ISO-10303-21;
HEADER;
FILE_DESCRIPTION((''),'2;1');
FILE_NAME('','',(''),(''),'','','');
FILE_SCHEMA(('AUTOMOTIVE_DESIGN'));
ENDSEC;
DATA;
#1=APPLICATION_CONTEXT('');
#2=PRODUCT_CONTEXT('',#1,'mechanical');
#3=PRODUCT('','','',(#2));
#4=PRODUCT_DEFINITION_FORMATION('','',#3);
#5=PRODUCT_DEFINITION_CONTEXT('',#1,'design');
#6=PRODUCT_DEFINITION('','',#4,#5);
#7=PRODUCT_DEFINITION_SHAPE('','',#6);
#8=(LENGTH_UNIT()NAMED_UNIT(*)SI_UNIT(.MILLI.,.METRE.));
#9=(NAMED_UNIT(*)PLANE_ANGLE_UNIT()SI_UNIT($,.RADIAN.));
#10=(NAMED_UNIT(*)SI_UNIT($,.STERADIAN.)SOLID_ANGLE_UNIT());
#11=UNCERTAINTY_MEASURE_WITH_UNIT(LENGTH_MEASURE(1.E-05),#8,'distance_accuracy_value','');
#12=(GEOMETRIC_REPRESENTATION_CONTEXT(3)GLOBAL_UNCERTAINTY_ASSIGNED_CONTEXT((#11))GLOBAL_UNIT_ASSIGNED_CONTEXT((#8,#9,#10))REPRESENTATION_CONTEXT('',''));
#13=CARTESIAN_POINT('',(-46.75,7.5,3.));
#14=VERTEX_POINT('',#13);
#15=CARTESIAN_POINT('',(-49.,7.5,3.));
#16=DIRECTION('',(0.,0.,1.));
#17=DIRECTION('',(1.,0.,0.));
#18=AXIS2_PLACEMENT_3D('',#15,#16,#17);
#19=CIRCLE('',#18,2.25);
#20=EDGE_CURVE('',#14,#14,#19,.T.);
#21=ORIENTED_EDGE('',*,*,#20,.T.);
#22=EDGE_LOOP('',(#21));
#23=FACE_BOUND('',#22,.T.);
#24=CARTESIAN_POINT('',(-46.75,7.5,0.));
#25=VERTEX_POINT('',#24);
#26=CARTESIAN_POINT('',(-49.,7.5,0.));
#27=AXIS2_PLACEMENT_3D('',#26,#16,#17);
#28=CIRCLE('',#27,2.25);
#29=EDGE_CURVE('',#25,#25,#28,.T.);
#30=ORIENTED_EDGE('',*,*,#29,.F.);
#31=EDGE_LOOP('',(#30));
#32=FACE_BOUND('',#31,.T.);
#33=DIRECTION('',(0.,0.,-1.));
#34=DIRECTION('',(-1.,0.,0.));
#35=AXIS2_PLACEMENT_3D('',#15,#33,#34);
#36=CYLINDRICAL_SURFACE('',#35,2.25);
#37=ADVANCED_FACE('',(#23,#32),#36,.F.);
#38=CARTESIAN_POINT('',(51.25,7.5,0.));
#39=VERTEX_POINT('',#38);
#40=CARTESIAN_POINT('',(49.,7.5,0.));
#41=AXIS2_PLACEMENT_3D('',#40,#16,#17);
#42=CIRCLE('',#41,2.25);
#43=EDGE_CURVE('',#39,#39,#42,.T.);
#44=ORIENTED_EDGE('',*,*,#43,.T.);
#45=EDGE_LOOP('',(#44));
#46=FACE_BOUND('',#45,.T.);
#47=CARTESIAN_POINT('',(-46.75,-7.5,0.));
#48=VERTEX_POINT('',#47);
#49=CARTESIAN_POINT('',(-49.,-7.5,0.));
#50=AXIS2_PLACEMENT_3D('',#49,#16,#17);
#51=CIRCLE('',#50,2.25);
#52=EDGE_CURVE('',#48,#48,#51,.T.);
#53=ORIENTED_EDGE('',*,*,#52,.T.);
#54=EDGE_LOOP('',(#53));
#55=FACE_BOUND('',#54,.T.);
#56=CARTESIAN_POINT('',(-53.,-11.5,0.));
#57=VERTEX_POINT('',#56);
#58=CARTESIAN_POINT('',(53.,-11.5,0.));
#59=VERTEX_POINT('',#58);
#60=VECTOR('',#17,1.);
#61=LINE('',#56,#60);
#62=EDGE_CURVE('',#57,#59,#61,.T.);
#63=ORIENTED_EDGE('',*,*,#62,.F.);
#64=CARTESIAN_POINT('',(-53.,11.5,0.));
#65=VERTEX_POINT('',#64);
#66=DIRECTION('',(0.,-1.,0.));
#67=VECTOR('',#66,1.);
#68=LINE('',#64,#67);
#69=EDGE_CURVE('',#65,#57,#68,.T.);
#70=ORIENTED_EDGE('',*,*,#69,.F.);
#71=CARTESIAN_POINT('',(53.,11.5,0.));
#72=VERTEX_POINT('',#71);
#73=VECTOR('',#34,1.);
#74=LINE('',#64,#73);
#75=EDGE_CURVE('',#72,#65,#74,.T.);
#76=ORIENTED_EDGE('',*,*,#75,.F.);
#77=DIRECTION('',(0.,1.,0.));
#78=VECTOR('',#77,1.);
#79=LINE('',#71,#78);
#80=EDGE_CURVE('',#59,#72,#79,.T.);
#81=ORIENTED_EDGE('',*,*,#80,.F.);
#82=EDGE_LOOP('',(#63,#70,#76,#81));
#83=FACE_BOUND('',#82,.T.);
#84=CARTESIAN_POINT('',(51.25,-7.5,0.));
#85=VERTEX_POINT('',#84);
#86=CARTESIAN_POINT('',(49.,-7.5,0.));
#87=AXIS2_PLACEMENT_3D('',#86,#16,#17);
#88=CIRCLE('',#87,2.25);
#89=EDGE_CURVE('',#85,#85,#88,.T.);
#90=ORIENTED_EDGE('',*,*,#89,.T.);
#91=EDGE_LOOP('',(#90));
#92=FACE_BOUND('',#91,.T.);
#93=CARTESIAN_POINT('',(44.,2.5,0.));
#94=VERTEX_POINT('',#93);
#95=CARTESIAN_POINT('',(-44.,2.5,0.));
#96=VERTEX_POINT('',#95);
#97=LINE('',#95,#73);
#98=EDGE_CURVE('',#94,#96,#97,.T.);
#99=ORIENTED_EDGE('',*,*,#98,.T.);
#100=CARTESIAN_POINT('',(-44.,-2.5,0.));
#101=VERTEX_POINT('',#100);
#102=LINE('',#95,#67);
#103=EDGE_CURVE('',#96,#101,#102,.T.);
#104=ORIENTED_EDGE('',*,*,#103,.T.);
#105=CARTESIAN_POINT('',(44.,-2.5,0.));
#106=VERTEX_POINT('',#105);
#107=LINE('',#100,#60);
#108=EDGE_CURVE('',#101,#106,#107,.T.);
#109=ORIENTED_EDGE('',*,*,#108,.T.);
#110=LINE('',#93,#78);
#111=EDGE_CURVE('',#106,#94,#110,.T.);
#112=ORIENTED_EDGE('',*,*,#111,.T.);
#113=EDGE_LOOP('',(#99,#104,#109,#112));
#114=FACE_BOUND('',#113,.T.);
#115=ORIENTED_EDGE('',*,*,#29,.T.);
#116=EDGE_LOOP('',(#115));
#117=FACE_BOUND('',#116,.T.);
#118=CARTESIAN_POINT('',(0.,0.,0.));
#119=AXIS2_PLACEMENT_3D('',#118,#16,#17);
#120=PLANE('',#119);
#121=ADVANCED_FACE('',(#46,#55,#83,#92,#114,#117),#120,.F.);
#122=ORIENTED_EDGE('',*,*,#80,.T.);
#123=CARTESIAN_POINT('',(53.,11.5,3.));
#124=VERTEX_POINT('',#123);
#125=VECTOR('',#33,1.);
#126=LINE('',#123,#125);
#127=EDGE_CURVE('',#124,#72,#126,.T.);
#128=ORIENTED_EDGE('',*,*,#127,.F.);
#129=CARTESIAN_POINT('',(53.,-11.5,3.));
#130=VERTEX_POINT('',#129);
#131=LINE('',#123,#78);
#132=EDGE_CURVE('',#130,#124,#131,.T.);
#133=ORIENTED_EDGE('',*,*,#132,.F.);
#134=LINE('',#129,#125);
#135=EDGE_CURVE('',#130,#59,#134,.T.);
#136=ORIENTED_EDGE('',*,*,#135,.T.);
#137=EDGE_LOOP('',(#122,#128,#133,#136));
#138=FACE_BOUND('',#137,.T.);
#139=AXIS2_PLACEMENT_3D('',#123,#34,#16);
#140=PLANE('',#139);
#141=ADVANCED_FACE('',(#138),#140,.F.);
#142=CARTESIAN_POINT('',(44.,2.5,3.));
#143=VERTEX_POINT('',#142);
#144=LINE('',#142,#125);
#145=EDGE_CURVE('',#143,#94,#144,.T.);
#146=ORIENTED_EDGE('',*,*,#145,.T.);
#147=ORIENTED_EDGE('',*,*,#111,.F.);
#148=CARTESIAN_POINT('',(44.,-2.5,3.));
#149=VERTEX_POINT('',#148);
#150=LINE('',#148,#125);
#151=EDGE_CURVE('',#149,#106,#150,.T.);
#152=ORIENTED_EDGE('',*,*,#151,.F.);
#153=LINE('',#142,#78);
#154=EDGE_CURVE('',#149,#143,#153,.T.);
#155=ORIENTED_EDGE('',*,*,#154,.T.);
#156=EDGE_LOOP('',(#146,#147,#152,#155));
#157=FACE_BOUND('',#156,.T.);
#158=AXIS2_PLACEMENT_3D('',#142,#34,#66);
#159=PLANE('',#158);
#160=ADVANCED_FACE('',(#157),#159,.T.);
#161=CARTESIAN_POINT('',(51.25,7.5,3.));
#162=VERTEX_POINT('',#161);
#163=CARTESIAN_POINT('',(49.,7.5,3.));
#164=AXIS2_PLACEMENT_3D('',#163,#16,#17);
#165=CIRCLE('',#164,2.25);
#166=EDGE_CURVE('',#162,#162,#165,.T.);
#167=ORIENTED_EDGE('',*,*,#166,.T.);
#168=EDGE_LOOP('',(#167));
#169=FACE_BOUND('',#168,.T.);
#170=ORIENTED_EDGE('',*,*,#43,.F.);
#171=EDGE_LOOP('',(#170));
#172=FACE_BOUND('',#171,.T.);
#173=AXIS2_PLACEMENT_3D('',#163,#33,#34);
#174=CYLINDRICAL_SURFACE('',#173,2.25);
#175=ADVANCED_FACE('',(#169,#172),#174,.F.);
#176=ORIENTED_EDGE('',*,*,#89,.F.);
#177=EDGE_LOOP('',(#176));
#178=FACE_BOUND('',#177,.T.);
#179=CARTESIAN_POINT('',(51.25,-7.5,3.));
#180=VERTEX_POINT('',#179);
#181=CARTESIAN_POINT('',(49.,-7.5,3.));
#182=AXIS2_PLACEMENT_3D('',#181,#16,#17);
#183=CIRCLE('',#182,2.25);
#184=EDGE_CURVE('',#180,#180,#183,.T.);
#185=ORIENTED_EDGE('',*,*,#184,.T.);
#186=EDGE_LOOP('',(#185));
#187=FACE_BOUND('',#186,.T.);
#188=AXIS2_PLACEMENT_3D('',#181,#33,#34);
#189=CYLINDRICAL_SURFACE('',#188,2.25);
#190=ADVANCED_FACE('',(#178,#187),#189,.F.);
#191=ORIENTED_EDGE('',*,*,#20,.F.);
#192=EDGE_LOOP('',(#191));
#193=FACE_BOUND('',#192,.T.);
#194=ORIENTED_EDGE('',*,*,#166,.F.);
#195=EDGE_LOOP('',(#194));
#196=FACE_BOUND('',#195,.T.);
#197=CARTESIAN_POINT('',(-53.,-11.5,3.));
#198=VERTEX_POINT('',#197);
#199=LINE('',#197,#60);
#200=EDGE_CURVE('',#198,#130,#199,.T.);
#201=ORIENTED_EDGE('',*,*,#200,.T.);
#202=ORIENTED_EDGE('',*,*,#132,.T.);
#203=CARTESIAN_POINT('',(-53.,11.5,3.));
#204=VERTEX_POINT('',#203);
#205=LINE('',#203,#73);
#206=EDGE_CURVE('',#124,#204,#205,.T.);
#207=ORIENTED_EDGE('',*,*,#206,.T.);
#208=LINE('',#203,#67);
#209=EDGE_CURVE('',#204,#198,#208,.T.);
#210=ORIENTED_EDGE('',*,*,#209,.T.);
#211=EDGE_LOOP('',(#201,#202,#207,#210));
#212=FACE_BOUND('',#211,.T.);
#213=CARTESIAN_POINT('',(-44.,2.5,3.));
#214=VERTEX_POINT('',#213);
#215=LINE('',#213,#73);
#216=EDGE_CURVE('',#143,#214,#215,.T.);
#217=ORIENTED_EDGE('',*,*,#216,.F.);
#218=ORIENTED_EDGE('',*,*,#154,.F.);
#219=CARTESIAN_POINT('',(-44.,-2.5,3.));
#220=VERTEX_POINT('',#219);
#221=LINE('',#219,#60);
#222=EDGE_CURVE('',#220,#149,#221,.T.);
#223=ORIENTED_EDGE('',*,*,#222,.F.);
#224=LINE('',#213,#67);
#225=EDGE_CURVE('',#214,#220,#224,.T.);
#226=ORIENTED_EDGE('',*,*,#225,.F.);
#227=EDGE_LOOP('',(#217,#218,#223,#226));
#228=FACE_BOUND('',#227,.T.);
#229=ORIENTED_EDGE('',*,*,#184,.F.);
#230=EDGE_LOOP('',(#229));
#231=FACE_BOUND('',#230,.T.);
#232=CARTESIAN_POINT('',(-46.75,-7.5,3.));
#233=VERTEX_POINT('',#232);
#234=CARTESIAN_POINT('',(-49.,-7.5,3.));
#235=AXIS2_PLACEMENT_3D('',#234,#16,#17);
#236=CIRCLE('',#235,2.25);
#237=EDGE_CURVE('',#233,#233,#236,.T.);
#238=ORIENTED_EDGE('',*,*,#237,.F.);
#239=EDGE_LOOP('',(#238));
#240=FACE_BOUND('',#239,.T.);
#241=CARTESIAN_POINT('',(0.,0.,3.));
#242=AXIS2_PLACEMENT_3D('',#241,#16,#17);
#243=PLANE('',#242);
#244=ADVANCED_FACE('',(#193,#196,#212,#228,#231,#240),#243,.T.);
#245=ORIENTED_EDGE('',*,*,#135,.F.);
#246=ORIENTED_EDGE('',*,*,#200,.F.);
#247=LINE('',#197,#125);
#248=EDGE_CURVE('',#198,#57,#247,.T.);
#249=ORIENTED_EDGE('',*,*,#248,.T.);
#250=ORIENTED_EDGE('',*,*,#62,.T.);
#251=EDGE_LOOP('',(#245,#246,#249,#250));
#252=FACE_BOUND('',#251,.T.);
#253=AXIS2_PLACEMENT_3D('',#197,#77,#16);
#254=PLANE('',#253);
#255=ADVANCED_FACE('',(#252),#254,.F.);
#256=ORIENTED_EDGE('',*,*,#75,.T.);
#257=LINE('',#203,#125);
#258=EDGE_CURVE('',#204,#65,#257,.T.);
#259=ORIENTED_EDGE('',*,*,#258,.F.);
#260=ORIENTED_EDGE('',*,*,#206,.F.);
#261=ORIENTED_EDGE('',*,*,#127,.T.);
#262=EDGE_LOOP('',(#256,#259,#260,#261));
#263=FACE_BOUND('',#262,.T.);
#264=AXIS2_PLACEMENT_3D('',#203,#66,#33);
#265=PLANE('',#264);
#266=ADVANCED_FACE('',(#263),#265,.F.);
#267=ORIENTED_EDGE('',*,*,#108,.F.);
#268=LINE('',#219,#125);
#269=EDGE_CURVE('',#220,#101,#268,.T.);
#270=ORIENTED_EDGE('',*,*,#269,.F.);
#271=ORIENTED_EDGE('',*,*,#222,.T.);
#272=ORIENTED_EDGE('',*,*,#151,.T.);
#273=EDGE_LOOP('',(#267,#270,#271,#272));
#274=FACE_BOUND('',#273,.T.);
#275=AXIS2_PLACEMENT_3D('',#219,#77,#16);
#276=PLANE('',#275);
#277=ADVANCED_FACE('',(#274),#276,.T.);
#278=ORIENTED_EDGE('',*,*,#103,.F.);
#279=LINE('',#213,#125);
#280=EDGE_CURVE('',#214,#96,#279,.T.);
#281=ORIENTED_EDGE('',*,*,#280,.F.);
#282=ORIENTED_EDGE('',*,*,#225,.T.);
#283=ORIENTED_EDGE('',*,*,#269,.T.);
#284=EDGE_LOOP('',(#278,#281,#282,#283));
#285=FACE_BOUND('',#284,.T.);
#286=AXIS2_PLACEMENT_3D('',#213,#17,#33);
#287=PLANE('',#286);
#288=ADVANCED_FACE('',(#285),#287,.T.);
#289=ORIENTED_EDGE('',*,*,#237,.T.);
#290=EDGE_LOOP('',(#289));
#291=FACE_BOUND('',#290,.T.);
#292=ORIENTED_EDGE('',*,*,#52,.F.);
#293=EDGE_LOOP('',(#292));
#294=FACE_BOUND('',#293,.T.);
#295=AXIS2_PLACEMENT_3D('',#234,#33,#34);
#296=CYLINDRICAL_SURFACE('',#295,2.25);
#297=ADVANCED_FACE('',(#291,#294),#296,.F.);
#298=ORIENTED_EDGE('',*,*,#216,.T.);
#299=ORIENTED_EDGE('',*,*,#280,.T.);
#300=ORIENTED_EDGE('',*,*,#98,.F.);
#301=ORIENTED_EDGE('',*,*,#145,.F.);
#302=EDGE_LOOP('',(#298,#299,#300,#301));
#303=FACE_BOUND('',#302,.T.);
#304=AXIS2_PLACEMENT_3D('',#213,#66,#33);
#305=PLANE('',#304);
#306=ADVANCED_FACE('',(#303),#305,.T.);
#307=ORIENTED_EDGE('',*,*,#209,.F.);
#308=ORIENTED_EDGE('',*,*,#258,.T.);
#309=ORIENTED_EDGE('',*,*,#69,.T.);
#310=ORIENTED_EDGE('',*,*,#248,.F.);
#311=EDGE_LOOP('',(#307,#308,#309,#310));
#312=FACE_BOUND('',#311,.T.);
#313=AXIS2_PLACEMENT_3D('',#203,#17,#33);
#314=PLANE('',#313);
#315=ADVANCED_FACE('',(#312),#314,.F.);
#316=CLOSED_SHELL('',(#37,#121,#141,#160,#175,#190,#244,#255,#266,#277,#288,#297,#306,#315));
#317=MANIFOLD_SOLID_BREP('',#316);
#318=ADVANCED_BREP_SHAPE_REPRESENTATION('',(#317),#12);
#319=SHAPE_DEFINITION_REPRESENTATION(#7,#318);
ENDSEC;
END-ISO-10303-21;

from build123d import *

# Parameters (mm, degrees)
SKETCH1_W           = 106
SKETCH1_H           = 23
SKETCH1_R           = 2.25
SKETCH1_W_2         = 88
SKETCH1_H_2         = 5
BOSS_EXTRUDE1_DEPTH = 3


with BuildPart() as part:
    # Sketch1 → Boss-Extrude1 (new body)
    with BuildSketch(Plane.XY):
        Rectangle(SKETCH1_W, SKETCH1_H)
        with Locations((-49, 7.5)):
            Circle(SKETCH1_R, mode=Mode.SUBTRACT)
        with Locations((-49, -7.5)):
            Circle(SKETCH1_R, mode=Mode.SUBTRACT)
        with Locations((49, 7.5)):
            Circle(SKETCH1_R, mode=Mode.SUBTRACT)
        with Locations((49, -7.5)):
            Circle(SKETCH1_R, mode=Mode.SUBTRACT)
        Rectangle(SKETCH1_W_2, SKETCH1_H_2, mode=Mode.SUBTRACT)
    extrude(amount=BOSS_EXTRUDE1_DEPTH)


solid = part.part
